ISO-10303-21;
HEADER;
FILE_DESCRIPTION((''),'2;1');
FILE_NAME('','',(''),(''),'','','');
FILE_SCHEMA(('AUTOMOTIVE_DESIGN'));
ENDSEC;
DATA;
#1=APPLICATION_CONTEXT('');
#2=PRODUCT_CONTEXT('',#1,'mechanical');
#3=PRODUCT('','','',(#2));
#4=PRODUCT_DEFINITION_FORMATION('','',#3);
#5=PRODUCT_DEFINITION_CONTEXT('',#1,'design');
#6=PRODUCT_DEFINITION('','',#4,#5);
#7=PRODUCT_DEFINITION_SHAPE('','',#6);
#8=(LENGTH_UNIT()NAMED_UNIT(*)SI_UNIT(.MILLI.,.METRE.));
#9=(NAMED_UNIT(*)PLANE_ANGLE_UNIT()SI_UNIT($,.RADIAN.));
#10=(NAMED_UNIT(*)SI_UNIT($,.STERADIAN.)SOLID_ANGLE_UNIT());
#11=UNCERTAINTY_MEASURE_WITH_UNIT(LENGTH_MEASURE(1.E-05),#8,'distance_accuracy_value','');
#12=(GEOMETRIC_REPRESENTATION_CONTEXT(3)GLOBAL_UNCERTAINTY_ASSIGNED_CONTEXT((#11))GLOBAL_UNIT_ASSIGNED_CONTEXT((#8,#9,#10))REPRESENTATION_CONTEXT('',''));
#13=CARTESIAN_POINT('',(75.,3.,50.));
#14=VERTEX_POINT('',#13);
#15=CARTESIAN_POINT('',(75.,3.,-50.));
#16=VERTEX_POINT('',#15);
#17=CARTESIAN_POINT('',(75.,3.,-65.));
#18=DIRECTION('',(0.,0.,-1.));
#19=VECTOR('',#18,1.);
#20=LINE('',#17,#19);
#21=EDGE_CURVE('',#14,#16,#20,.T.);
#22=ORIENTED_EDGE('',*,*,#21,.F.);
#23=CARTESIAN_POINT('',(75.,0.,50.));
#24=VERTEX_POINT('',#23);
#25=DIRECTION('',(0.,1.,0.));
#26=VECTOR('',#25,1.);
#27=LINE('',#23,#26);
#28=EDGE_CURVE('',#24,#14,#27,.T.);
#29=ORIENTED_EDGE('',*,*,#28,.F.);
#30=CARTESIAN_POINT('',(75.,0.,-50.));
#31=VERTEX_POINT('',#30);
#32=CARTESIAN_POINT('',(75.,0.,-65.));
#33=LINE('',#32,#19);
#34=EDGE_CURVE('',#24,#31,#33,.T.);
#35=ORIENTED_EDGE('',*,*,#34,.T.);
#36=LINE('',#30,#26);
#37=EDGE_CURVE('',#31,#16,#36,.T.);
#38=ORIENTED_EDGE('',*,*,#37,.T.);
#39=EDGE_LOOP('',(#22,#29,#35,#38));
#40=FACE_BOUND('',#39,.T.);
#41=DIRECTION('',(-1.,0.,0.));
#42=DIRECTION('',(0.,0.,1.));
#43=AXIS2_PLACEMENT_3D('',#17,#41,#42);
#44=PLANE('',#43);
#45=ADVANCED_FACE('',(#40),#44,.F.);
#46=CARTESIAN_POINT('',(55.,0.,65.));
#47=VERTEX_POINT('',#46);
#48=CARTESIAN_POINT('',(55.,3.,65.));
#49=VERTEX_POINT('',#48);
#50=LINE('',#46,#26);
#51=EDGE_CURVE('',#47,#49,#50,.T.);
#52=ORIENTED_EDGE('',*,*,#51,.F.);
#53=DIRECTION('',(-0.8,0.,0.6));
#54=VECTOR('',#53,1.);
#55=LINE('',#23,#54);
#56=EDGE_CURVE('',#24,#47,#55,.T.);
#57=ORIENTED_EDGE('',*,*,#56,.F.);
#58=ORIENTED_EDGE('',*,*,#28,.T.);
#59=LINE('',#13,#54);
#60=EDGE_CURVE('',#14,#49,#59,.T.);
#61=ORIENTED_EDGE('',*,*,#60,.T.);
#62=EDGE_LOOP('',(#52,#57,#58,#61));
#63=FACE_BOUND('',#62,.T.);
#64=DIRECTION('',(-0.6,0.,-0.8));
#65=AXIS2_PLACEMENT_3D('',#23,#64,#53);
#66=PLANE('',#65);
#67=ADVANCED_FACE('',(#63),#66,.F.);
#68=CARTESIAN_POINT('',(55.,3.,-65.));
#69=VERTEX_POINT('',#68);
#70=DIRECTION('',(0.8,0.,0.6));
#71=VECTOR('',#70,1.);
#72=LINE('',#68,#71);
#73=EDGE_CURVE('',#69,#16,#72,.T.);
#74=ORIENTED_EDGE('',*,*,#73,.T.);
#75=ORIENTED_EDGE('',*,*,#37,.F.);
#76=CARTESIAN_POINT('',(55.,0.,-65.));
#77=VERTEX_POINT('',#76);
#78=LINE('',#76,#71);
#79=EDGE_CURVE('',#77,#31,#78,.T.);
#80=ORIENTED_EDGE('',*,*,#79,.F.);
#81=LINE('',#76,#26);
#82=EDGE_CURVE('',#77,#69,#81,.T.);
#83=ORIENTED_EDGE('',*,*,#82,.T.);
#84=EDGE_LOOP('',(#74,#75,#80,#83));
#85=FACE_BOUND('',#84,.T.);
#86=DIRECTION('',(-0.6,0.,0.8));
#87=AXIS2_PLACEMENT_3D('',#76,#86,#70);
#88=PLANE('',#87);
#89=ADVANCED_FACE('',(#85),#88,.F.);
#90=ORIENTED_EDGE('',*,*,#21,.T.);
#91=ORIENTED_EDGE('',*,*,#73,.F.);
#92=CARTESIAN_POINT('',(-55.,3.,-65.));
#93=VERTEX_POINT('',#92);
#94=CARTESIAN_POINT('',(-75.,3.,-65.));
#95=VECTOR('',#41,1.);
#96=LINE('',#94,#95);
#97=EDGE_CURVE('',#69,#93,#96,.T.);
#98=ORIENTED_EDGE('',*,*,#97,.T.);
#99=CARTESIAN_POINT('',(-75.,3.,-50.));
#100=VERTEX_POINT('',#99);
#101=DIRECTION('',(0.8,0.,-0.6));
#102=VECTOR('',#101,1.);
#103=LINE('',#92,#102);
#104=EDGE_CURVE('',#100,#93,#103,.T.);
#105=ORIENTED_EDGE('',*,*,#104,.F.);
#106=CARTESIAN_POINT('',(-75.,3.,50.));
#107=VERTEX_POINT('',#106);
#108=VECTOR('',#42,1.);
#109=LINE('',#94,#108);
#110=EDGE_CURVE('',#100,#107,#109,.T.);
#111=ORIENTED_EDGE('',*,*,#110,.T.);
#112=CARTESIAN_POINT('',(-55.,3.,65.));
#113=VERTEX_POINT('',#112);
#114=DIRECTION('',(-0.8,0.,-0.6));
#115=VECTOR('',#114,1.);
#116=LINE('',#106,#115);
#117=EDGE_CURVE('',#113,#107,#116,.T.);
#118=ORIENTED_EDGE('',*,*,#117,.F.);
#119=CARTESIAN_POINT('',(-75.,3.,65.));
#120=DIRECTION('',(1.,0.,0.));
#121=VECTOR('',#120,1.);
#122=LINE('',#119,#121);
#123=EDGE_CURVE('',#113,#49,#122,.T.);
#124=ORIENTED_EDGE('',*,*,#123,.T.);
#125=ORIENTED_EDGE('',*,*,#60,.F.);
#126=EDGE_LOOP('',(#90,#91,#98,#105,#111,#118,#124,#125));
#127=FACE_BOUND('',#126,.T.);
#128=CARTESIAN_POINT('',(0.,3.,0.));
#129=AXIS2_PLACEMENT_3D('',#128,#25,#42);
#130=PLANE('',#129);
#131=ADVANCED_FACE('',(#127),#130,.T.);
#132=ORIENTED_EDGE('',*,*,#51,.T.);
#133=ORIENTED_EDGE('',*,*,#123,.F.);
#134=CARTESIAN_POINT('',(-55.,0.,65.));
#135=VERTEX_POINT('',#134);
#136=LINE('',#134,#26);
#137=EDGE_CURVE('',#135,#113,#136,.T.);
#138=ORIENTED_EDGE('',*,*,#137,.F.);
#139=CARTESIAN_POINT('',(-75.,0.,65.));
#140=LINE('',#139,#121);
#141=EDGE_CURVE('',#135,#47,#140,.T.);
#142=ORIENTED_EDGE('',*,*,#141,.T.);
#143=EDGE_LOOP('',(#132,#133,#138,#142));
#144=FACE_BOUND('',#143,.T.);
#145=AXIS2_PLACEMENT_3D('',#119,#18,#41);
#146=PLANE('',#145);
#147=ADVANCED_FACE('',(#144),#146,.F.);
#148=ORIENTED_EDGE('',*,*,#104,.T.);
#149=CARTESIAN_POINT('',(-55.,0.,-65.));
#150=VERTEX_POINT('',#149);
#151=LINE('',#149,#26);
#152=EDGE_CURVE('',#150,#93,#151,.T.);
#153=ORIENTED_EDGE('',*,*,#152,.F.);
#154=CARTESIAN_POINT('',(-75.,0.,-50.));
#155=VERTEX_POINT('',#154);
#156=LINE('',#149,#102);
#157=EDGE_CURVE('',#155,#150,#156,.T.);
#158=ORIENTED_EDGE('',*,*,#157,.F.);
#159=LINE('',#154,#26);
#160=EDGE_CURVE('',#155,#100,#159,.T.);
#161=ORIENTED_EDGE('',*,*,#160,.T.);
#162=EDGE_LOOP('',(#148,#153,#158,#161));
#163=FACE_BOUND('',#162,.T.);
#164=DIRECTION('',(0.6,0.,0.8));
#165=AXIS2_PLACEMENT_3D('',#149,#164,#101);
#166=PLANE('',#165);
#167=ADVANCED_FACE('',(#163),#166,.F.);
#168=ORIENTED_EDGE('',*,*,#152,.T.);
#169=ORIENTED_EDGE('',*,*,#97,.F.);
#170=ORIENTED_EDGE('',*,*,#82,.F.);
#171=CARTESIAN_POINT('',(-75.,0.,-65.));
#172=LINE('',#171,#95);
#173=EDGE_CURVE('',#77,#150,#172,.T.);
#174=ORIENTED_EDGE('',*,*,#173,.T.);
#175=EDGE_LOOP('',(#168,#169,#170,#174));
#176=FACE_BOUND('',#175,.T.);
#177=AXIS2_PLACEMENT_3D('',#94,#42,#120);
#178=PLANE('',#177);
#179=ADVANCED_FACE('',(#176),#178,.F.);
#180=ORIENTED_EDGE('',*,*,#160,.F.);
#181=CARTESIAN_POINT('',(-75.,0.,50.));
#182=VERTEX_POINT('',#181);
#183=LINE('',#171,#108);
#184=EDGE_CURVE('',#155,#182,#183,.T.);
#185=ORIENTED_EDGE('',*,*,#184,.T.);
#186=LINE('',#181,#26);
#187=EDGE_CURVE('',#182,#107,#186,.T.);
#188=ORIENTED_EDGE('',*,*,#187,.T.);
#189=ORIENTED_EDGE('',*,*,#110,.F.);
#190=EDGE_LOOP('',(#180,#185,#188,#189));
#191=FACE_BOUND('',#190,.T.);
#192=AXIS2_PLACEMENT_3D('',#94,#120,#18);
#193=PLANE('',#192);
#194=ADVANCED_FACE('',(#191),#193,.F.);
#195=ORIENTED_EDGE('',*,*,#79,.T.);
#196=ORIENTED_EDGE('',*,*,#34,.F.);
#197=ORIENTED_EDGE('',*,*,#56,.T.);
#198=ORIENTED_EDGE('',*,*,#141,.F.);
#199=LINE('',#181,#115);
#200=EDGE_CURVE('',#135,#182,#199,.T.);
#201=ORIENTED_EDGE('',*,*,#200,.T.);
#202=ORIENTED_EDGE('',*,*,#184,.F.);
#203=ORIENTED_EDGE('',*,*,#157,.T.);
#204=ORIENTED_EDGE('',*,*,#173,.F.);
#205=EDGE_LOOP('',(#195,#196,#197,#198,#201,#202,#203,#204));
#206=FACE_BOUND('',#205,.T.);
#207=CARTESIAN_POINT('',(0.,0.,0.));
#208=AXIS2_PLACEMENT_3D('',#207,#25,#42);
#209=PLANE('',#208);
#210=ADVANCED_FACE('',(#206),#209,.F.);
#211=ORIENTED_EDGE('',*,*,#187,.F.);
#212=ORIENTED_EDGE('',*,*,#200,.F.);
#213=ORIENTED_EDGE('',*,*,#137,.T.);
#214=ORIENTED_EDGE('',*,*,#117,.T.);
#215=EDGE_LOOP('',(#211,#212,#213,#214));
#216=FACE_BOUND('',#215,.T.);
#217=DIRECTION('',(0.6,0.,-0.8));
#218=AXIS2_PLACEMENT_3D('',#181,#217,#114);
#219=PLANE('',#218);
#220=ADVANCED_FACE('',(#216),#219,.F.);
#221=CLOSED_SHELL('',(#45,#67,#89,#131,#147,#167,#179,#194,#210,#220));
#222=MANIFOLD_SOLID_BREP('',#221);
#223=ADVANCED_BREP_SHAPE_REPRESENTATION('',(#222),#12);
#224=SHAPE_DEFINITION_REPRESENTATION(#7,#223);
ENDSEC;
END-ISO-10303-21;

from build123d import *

# Parameters (mm, degrees)
SKETCH1_W           = 150
SKETCH1_H           = 130
BOSS_EXTRUDE1_DEPTH = 3
CUT_EXTRUDE1_DEPTH  = 100.292497199


with BuildPart() as part:
    # Sketch1 → Boss-Extrude1 (new body)
    with BuildSketch(Plane(origin=(0, 0, 0), x_dir=(1, 0, 0), z_dir=(0, 1, 0))):
        Rectangle(SKETCH1_W, SKETCH1_H)
    extrude(amount=BOSS_EXTRUDE1_DEPTH)

    # Sketch2 → Cut-Extrude1 (cut, through all)
    with BuildSketch(Plane(origin=(0, 3, 0), x_dir=(1, 0, 0), z_dir=(0, 1, 0))):
        Polygon((-55, 65), (-75, 50), (-75, 65), align=None)
        Polygon((-75, -50), (-55, -65), (-75, -65), align=None)
        Polygon((75, -50), (55, -65), (75, -65), align=None)
        Polygon((55, 65), (75, 50), (75, 65), align=None)
    extrude(amount=-CUT_EXTRUDE1_DEPTH, mode=Mode.SUBTRACT)


solid = part.part
